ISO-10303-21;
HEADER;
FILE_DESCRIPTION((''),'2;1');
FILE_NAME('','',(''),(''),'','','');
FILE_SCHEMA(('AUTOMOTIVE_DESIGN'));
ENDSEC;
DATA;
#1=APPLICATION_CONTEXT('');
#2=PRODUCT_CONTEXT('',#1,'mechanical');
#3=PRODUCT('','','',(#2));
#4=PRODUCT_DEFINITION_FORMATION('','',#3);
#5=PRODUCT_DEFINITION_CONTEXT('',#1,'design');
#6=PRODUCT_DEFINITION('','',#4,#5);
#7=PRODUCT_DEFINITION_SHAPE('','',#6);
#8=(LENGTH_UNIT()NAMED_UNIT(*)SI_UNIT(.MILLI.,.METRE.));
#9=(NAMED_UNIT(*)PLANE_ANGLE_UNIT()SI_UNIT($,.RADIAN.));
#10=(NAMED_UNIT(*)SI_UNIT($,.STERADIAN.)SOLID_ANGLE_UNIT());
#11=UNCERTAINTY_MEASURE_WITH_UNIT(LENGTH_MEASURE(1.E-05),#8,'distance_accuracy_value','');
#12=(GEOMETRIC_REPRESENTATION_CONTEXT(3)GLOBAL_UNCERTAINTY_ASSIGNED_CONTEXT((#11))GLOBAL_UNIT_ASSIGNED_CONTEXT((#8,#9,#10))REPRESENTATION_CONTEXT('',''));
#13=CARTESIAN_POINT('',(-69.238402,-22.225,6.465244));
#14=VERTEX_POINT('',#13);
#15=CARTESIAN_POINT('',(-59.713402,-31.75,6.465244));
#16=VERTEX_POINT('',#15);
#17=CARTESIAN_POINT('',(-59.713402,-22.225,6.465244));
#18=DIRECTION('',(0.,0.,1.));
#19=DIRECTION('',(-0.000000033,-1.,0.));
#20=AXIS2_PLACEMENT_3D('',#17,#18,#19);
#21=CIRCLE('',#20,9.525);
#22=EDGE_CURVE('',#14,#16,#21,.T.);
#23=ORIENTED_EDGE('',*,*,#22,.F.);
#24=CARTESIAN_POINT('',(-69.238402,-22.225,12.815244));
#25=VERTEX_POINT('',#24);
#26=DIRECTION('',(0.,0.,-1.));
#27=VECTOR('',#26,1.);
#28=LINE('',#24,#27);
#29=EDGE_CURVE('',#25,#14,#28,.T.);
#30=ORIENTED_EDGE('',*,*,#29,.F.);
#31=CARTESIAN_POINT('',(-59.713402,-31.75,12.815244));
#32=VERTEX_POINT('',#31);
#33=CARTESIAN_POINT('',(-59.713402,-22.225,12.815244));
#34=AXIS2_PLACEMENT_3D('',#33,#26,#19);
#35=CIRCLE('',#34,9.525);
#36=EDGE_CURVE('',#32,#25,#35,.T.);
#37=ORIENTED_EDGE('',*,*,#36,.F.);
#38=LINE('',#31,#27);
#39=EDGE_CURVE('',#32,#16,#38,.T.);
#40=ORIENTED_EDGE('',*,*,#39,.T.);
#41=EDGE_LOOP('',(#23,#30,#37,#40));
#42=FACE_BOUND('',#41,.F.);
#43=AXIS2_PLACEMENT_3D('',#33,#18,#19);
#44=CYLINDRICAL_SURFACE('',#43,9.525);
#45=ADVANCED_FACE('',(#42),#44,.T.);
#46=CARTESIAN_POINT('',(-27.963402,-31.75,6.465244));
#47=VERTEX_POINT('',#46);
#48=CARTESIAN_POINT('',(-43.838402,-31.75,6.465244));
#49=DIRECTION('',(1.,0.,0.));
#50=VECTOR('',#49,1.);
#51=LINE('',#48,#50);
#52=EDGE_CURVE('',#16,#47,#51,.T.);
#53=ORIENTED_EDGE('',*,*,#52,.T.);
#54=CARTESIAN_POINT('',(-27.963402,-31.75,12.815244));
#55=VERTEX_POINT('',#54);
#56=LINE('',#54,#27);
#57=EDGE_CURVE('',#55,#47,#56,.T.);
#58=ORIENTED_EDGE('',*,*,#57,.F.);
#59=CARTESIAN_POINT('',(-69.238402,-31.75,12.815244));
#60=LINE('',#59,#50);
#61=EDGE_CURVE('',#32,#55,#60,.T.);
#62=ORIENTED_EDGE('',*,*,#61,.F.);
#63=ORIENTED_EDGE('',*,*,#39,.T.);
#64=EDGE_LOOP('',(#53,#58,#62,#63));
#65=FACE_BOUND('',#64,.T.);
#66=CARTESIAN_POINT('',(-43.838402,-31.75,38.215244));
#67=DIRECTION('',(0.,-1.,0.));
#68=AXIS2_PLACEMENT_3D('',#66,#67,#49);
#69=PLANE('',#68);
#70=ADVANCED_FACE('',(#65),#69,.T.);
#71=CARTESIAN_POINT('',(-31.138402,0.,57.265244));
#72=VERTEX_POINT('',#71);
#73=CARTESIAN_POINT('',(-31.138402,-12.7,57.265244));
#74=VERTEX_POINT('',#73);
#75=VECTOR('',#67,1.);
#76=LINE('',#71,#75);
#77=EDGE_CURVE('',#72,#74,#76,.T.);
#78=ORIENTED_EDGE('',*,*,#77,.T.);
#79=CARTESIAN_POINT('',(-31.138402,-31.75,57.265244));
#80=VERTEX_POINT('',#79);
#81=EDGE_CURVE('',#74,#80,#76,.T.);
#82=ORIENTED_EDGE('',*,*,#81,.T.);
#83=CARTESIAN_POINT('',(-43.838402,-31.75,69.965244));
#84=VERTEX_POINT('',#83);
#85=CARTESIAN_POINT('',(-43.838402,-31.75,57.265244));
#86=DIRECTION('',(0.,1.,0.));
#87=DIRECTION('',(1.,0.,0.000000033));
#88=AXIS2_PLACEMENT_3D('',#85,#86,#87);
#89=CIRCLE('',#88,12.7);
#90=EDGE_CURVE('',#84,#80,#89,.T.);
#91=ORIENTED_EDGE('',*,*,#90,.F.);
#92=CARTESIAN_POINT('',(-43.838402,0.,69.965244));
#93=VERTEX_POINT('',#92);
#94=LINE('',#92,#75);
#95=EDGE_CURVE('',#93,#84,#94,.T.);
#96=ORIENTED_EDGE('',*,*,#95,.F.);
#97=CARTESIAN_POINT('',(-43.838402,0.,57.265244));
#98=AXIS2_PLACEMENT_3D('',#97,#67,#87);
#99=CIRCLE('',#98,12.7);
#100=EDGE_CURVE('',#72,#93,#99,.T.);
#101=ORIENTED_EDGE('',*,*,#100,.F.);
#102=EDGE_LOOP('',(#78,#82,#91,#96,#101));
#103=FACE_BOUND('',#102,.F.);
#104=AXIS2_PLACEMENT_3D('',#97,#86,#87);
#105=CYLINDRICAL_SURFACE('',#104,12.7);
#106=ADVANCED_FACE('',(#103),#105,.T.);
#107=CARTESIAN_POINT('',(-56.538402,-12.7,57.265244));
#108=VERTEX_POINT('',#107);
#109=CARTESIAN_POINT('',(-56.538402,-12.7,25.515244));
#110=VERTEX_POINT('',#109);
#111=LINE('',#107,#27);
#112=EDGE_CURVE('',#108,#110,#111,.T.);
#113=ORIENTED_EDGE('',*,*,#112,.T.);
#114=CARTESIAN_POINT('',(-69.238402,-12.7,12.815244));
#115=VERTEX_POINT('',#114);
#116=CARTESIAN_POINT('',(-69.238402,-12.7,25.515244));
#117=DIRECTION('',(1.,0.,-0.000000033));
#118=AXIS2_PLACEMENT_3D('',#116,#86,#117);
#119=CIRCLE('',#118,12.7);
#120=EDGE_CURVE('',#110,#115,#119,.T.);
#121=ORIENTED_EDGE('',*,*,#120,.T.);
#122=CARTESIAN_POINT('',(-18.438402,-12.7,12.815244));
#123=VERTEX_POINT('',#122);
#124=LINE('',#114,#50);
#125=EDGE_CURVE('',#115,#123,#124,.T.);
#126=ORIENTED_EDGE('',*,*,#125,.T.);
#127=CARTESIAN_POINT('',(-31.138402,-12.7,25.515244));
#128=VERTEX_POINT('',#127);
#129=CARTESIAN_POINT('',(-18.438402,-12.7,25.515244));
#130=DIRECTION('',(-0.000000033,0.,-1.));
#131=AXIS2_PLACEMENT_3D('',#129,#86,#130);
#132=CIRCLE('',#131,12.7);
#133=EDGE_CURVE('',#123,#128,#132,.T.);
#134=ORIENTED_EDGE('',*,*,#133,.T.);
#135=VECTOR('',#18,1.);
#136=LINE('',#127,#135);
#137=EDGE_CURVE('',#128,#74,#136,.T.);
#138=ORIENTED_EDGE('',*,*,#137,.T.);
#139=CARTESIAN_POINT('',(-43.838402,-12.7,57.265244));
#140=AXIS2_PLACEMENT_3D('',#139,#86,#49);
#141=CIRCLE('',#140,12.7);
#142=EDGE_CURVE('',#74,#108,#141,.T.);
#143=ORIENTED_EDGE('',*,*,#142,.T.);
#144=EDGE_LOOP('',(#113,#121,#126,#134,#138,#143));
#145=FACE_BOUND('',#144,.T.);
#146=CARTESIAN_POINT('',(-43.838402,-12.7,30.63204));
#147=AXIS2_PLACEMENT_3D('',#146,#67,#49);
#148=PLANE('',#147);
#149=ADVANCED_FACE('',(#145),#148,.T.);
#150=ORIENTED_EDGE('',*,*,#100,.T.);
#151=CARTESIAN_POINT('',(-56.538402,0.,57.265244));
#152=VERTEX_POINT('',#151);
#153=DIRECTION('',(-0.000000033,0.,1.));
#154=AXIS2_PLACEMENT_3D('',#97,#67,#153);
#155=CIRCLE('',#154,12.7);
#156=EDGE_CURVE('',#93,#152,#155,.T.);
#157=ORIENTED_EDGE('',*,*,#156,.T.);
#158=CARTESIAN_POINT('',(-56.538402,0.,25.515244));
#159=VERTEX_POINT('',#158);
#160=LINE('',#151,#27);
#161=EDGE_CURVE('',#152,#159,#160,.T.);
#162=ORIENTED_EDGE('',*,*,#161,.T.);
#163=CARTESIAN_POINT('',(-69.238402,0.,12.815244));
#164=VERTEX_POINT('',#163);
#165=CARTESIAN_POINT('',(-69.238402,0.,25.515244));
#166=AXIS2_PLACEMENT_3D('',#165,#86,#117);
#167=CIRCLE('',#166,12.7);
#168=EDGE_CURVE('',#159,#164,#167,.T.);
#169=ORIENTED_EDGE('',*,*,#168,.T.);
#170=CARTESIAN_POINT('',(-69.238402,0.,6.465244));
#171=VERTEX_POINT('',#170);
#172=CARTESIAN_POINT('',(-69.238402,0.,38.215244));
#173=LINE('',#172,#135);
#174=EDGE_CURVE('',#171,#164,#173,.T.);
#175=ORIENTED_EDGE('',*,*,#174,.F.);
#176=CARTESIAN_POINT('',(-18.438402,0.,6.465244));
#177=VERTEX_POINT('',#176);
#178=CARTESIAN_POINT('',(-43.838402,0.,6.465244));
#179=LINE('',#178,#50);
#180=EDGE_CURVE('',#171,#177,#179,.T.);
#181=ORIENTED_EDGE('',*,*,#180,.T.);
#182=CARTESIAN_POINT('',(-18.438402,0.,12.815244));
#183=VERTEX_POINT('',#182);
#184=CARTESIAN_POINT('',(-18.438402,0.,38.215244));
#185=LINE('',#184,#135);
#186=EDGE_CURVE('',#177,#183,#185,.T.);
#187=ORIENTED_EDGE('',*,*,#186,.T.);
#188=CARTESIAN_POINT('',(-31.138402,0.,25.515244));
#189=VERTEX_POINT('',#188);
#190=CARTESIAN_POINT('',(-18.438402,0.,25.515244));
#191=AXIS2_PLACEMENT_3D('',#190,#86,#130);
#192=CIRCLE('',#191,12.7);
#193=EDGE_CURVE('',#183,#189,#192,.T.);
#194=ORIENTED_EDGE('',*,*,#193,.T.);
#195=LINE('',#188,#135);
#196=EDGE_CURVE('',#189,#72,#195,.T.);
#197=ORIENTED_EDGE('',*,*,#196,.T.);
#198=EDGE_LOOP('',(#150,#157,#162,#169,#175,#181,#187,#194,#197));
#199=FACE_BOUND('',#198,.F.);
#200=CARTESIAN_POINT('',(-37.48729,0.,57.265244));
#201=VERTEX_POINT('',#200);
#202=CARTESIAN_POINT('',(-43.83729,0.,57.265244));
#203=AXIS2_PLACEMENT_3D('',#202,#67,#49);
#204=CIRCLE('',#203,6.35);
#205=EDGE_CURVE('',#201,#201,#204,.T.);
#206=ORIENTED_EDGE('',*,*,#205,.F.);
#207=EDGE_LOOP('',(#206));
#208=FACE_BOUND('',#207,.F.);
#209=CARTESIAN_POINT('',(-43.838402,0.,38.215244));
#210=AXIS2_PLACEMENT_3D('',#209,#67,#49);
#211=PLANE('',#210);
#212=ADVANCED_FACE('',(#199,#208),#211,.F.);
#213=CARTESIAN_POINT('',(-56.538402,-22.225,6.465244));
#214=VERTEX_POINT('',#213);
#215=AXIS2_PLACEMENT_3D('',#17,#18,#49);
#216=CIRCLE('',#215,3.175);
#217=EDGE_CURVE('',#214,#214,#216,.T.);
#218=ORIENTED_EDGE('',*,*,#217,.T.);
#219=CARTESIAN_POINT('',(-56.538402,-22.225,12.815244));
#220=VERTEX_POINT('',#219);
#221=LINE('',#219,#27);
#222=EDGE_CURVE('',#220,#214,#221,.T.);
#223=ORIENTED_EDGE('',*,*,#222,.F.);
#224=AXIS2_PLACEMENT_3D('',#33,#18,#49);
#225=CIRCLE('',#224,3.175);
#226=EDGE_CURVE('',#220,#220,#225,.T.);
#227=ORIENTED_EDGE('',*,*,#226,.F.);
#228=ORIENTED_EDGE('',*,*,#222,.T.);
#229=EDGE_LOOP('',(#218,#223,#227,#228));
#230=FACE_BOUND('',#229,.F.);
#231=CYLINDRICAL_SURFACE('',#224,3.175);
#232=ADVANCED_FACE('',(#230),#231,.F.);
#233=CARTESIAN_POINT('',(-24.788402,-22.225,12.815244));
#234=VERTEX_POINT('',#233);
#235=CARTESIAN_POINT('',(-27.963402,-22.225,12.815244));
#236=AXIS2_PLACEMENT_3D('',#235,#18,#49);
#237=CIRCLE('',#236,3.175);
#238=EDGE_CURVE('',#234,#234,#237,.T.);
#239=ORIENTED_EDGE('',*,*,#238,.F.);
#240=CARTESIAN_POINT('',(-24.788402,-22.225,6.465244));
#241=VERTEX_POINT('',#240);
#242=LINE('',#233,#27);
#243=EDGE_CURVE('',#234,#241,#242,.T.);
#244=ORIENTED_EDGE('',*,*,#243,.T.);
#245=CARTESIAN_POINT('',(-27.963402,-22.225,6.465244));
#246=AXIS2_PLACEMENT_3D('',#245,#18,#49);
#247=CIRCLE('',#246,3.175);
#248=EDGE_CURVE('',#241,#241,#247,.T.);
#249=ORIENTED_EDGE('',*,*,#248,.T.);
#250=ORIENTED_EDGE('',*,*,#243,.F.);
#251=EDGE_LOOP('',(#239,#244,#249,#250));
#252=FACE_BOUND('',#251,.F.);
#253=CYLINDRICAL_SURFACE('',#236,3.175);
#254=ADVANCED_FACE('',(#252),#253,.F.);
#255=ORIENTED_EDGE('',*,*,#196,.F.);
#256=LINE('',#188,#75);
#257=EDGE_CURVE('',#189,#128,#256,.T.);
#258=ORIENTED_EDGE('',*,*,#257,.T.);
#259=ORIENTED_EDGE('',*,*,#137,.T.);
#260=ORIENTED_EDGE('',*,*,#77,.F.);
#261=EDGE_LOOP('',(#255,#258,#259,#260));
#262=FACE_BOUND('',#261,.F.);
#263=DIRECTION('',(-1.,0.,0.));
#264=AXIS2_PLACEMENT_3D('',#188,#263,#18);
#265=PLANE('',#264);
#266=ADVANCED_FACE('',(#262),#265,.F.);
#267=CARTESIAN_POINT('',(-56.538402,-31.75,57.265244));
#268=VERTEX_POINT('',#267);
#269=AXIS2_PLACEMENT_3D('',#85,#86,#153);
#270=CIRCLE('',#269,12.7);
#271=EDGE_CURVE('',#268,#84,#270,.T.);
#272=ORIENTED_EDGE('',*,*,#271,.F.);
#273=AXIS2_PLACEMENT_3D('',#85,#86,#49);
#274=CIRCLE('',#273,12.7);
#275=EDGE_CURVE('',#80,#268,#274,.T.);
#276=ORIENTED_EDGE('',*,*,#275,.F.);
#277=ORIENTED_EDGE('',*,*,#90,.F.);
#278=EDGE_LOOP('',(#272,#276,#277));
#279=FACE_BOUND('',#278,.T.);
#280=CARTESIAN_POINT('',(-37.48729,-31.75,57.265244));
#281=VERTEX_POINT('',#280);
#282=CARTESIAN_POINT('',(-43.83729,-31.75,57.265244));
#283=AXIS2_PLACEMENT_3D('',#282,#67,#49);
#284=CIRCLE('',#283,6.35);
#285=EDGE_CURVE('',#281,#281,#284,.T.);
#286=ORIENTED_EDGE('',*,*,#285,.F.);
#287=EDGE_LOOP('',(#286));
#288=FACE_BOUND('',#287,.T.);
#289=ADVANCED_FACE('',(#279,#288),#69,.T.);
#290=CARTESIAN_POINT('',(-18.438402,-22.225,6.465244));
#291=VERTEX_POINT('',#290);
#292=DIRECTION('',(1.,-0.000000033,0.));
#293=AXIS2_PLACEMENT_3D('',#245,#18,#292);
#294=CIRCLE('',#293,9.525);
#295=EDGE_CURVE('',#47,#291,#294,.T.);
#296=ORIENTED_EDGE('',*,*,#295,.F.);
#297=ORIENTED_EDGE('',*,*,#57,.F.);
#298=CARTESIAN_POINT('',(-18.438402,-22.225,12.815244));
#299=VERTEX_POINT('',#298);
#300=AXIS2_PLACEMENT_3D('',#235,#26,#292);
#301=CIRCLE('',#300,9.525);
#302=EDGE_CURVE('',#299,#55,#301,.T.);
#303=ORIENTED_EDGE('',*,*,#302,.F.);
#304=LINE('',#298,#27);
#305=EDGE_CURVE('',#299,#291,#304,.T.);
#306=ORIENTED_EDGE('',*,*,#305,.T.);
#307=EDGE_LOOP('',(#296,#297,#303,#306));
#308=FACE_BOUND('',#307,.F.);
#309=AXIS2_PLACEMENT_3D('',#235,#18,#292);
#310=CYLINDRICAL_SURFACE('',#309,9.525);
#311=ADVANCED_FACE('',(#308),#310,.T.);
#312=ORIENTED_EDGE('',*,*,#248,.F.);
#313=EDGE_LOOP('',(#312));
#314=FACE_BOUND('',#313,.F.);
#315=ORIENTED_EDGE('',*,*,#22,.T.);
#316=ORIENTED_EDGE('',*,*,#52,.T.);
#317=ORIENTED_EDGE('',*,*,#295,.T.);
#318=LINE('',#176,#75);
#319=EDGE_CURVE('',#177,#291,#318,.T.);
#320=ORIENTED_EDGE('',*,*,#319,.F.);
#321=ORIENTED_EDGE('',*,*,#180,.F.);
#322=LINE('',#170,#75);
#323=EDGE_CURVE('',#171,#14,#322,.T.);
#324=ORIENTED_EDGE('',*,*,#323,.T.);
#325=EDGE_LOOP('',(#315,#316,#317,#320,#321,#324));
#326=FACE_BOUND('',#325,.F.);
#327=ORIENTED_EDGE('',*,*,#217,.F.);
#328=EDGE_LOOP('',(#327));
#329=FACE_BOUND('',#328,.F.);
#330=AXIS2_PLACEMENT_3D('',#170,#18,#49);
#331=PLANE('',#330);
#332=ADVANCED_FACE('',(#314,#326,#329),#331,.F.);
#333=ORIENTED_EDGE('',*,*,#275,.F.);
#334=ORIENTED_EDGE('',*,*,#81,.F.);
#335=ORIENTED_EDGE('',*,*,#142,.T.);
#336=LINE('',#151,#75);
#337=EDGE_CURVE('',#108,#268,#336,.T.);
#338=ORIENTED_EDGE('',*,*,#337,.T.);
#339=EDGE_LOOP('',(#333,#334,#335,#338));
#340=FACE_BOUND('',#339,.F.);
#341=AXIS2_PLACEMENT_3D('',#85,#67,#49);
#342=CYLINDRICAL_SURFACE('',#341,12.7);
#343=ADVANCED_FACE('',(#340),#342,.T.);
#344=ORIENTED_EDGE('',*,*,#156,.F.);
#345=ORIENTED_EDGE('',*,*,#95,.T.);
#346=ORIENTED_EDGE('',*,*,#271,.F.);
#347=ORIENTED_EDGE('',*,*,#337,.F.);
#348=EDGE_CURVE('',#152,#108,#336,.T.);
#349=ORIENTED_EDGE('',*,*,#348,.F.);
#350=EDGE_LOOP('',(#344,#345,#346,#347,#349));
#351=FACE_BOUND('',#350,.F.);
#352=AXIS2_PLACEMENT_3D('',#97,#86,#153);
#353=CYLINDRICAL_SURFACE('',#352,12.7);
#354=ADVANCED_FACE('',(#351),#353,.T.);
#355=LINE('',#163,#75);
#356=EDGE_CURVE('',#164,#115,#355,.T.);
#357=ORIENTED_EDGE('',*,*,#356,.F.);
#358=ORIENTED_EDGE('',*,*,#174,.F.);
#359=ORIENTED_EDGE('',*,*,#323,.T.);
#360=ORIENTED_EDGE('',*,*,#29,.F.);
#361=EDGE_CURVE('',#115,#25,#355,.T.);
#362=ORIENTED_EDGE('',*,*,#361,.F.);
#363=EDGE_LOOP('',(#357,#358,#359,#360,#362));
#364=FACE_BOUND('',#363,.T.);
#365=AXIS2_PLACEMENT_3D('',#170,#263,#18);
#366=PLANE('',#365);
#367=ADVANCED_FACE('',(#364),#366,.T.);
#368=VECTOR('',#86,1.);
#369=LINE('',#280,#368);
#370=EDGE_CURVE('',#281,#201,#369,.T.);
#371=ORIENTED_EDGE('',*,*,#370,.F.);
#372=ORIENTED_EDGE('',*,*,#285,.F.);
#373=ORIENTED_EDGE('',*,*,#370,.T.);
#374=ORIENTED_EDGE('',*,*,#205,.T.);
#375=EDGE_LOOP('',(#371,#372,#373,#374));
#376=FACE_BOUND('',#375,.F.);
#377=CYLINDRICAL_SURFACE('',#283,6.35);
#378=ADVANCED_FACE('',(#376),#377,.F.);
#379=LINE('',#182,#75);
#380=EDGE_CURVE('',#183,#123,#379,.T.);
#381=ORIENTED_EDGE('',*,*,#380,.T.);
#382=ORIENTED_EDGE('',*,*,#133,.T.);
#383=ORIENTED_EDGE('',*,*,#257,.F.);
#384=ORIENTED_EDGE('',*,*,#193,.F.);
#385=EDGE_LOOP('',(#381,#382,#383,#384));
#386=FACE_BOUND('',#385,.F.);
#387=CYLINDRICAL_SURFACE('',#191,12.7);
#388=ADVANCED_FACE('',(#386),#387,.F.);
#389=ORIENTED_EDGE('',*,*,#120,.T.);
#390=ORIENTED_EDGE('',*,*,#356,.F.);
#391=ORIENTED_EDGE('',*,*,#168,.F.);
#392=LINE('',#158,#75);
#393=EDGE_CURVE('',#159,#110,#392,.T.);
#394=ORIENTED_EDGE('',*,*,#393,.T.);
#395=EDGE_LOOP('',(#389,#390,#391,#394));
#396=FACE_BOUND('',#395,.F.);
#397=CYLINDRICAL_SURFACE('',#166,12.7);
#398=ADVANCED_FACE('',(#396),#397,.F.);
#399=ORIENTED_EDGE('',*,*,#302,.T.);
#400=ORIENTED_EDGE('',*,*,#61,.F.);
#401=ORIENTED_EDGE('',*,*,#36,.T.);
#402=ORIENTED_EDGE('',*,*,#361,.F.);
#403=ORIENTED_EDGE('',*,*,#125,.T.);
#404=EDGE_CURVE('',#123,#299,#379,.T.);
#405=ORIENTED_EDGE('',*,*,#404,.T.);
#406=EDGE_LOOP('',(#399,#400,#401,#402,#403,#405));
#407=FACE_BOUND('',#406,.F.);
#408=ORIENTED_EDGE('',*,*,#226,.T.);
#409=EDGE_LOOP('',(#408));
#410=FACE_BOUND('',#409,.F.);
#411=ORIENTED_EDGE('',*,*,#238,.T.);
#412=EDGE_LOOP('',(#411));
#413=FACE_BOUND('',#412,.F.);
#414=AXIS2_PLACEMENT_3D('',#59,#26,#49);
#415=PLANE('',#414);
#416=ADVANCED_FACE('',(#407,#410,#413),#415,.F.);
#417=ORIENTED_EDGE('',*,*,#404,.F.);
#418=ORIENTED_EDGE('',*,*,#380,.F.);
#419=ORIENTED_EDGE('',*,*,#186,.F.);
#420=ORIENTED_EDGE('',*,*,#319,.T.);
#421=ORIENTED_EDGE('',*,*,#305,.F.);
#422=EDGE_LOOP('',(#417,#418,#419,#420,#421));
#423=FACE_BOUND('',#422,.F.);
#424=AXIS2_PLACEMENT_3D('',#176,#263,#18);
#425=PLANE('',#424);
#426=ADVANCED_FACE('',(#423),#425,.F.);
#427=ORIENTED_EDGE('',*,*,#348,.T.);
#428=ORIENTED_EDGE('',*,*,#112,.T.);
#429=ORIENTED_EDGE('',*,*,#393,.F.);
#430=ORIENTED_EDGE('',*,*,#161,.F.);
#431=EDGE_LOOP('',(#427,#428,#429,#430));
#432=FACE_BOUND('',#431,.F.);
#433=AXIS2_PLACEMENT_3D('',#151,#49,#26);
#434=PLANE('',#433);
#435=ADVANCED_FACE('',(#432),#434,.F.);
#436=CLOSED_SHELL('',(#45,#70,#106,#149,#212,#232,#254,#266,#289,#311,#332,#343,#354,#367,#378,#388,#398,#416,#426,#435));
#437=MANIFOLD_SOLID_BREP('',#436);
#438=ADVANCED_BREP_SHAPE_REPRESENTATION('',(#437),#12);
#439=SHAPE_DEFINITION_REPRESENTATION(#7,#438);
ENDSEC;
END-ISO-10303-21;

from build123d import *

# Parameters (mm, degrees)
F0_W     = 50.8
F0_H     = 63.5
F1_DEPTH = 31.75
F3_DEPTH = 31.751
F5_DEPTH = 19.05
F6_R     = 3.175
F7_DEPTH = 25.4
F8_R     = 6.35
F9_DEPTH = 31.751


with BuildPart() as f1:
    # F0 (on Front) → F1 (new body)
    with BuildSketch(Plane.XZ):
        with Locations((-43.838402, 38.215244)):
            Rectangle(F0_W, F0_H)
    extrude(amount=F1_DEPTH)

    # F2 (on face) → F3 (cut, through all)
    with BuildSketch(Plane(origin=(0, 0, 0), x_dir=(-1, 0, 0), z_dir=(0, 1, 0))):
        with BuildLine():
            Line((18.438402, 69.965244), (18.438402, 12.815244))
            ThreePointArc((18.438402, 12.815244), (27.418658, 16.534988), (31.138402, 25.515244))
            Line((31.138402, 25.515244), (31.138402, 57.265244))
            ThreePointArc((31.138402, 57.265244), (34.858146, 66.2455), (43.838402, 69.965244))
            Line((43.838402, 69.965244), (18.438402, 69.965244))
        make_face()
        with BuildLine():
            ThreePointArc((56.538402, 25.515244), (60.258146, 16.534988), (69.238402, 12.815244))
            Line((69.238402, 12.815244), (69.238402, 69.965244))
            Line((69.238402, 69.965244), (43.838402, 69.965244))
            ThreePointArc((43.838402, 69.965244), (52.818658, 66.2455), (56.538402, 57.265244))
            Line((56.538402, 57.265244), (56.538402, 25.515244))
        make_face()
    extrude(amount=-F3_DEPTH, mode=Mode.SUBTRACT)

    # F4 (on face) → F5 (cut)
    with BuildSketch(Plane.XZ.offset(31.75)):
        with BuildLine():
            ThreePointArc((-56.538402, 25.515244), (-60.258146, 16.534988), (-69.238402, 12.815244))
            Line((-69.238402, 12.815244), (-18.438402, 12.815244))
            ThreePointArc((-18.438402, 12.815244), (-27.418658, 16.534988), (-31.138402, 25.515244))
            Line((-31.138402, 25.515244), (-31.138402, 57.265244))
            ThreePointArc((-31.138402, 57.265244), (-43.838402, 44.565244), (-56.538402, 57.265244))
            Line((-56.538402, 57.265244), (-56.538402, 25.515244))
        make_face()
    extrude(amount=-F5_DEPTH, mode=Mode.SUBTRACT)

    # F6 (on face) → F7 (cut)
    with BuildSketch(Plane.XY.offset(12.815244)):
        with Locations((-27.963402, -22.225)):
            Circle(F6_R)
        with Locations((-59.713402, -22.225)):
            Circle(F6_R)
        with BuildLine():
            Line((-69.238402, -31.75), (-59.713402, -31.75))
            ThreePointArc((-59.713402, -31.75), (-66.448594, -28.960192), (-69.238402, -22.225))
            Line((-69.238402, -22.225), (-69.238402, -31.75))
        make_face()
        with BuildLine():
            ThreePointArc((-18.438402, -22.225), (-21.22821, -28.960192), (-27.963402, -31.75))
            Line((-27.963402, -31.75), (-18.438402, -31.75))
            Line((-18.438402, -31.75), (-18.438402, -22.225))
        make_face()
    extrude(amount=-F7_DEPTH, mode=Mode.SUBTRACT)

    # F8 (on face) → F9 (cut, through all)
    with BuildSketch(Plane.XZ.offset(31.75)):
        with Locations((-43.83729, 57.265244)):
            Circle(F8_R)
    extrude(amount=-F9_DEPTH, mode=Mode.SUBTRACT)


solid = f1.part
